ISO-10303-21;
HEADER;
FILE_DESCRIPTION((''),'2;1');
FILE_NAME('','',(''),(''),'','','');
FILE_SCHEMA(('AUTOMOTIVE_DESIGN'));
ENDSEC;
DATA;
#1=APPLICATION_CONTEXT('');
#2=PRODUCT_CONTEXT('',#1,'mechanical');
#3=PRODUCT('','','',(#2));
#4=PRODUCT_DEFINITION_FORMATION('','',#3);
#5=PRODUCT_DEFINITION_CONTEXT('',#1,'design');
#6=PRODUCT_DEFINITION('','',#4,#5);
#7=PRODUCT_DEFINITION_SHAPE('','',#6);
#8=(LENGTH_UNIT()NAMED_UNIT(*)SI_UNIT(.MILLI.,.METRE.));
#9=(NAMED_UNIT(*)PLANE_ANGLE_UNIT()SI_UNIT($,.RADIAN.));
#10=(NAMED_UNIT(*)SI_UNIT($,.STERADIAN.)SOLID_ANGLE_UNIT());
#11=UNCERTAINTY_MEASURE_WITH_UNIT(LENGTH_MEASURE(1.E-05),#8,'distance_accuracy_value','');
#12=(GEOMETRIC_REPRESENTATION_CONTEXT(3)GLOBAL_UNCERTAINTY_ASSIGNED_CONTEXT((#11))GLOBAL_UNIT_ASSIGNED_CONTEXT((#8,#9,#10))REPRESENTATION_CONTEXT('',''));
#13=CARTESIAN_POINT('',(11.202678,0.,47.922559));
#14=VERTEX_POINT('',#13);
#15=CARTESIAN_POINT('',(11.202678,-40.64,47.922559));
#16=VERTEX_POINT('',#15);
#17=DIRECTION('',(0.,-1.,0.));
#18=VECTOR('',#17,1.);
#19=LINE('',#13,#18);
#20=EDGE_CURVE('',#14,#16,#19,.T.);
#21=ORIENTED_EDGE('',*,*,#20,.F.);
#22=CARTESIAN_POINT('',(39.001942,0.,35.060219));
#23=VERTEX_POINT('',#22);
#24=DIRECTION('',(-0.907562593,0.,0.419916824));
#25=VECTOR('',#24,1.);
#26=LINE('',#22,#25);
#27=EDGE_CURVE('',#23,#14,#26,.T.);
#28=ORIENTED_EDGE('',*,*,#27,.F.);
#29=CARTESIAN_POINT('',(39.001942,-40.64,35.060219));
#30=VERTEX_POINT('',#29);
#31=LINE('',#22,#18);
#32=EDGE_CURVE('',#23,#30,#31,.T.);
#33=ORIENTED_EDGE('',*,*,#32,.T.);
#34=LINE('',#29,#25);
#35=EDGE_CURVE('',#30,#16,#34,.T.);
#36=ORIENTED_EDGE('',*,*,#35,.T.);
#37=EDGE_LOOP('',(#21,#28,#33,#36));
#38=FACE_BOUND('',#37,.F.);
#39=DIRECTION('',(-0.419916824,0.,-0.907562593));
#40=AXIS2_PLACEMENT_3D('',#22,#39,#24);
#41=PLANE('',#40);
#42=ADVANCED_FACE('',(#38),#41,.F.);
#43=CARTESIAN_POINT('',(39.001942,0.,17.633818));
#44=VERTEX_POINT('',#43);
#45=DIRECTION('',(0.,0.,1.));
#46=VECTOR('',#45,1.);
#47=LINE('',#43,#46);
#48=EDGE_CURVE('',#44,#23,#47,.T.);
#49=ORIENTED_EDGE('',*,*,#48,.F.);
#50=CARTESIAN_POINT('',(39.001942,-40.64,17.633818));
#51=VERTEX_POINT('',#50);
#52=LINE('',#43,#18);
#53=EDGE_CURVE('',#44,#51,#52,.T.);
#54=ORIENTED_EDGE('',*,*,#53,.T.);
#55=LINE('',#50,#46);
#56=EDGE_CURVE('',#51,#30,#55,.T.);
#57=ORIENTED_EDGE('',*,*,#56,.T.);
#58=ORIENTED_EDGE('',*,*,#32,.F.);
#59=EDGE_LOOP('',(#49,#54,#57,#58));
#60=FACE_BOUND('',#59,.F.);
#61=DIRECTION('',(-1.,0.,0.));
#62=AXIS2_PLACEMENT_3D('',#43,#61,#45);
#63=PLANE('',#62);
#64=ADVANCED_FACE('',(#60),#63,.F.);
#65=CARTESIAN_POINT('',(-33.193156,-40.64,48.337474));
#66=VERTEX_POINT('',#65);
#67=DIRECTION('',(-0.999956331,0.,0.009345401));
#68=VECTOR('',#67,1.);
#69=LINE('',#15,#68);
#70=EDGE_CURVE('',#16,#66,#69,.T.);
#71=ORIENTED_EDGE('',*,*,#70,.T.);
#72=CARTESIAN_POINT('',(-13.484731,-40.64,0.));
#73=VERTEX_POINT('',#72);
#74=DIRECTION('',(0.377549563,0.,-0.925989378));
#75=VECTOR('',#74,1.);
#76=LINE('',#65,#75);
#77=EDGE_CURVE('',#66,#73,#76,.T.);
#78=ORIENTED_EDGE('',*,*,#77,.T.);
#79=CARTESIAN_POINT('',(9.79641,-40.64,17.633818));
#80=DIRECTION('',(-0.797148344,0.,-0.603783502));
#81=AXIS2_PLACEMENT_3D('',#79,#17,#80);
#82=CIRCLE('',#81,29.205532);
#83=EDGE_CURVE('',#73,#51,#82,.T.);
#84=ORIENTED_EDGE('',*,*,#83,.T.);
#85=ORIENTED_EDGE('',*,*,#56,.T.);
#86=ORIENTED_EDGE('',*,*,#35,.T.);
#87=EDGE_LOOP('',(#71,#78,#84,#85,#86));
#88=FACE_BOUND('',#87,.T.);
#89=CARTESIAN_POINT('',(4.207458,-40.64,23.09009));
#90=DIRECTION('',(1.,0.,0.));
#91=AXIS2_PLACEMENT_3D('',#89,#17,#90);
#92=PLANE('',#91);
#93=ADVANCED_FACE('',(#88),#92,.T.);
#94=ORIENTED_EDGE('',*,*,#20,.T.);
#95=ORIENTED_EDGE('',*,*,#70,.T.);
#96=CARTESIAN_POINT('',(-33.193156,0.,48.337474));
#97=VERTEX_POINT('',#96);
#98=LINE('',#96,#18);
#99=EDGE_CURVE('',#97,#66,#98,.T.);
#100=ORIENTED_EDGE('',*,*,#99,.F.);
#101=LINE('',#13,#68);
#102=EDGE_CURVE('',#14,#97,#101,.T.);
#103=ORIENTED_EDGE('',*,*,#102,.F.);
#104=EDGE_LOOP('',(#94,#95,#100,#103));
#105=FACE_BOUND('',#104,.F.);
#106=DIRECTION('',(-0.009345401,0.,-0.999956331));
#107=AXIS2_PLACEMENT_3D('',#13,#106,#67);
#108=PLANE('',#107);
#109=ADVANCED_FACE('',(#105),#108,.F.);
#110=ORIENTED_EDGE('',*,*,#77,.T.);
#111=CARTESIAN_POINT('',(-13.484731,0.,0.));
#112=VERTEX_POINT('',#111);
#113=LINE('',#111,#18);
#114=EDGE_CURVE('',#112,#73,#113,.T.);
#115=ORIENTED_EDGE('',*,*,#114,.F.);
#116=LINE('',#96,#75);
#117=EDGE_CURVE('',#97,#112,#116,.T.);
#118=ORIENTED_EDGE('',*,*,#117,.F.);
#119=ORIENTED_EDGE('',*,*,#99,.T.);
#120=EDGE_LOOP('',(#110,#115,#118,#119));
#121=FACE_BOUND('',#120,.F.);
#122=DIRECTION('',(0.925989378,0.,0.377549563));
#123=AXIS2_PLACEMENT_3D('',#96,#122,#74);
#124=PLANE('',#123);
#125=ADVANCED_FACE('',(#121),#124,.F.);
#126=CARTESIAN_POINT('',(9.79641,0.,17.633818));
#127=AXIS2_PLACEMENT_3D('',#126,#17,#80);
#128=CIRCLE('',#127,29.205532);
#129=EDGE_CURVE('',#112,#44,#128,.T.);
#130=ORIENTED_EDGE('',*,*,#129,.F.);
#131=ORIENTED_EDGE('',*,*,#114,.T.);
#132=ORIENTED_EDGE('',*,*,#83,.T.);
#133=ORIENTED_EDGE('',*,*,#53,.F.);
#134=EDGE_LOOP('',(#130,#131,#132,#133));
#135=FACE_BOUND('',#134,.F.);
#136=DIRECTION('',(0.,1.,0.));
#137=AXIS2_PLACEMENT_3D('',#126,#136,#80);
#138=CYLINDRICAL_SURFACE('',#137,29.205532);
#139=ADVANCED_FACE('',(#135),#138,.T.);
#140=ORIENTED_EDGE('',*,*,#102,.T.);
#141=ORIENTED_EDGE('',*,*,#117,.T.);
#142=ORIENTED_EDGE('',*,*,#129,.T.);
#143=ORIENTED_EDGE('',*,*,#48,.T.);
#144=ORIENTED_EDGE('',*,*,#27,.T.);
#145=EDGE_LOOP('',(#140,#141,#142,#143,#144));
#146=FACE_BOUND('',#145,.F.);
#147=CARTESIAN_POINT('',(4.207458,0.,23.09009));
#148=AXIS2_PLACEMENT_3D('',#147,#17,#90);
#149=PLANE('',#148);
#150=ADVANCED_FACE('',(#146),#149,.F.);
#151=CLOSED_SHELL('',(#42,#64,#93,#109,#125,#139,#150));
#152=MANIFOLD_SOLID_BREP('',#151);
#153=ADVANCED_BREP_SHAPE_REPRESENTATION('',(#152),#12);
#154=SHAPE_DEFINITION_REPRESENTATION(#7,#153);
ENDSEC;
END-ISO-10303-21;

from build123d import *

# Parameters (mm, degrees)
F1_DEPTH = 40.64


with BuildPart() as f1:
    # F0 (on Front) → F1 (new body)
    with BuildSketch(Plane.XZ):
        with BuildLine():
            Line((39.001942, 35.060219), (11.202678, 47.922559))
            Line((11.202678, 47.922559), (-33.193156, 48.337474))
            Line((-33.193156, 48.337474), (-13.484731, 0))
            ThreePointArc((-13.484731, 0), (19.097619, -10.051026), (39.001942, 17.633818))
            Line((39.001942, 17.633818), (39.001942, 35.060219))
        make_face()
    extrude(amount=F1_DEPTH)


solid = f1.part
